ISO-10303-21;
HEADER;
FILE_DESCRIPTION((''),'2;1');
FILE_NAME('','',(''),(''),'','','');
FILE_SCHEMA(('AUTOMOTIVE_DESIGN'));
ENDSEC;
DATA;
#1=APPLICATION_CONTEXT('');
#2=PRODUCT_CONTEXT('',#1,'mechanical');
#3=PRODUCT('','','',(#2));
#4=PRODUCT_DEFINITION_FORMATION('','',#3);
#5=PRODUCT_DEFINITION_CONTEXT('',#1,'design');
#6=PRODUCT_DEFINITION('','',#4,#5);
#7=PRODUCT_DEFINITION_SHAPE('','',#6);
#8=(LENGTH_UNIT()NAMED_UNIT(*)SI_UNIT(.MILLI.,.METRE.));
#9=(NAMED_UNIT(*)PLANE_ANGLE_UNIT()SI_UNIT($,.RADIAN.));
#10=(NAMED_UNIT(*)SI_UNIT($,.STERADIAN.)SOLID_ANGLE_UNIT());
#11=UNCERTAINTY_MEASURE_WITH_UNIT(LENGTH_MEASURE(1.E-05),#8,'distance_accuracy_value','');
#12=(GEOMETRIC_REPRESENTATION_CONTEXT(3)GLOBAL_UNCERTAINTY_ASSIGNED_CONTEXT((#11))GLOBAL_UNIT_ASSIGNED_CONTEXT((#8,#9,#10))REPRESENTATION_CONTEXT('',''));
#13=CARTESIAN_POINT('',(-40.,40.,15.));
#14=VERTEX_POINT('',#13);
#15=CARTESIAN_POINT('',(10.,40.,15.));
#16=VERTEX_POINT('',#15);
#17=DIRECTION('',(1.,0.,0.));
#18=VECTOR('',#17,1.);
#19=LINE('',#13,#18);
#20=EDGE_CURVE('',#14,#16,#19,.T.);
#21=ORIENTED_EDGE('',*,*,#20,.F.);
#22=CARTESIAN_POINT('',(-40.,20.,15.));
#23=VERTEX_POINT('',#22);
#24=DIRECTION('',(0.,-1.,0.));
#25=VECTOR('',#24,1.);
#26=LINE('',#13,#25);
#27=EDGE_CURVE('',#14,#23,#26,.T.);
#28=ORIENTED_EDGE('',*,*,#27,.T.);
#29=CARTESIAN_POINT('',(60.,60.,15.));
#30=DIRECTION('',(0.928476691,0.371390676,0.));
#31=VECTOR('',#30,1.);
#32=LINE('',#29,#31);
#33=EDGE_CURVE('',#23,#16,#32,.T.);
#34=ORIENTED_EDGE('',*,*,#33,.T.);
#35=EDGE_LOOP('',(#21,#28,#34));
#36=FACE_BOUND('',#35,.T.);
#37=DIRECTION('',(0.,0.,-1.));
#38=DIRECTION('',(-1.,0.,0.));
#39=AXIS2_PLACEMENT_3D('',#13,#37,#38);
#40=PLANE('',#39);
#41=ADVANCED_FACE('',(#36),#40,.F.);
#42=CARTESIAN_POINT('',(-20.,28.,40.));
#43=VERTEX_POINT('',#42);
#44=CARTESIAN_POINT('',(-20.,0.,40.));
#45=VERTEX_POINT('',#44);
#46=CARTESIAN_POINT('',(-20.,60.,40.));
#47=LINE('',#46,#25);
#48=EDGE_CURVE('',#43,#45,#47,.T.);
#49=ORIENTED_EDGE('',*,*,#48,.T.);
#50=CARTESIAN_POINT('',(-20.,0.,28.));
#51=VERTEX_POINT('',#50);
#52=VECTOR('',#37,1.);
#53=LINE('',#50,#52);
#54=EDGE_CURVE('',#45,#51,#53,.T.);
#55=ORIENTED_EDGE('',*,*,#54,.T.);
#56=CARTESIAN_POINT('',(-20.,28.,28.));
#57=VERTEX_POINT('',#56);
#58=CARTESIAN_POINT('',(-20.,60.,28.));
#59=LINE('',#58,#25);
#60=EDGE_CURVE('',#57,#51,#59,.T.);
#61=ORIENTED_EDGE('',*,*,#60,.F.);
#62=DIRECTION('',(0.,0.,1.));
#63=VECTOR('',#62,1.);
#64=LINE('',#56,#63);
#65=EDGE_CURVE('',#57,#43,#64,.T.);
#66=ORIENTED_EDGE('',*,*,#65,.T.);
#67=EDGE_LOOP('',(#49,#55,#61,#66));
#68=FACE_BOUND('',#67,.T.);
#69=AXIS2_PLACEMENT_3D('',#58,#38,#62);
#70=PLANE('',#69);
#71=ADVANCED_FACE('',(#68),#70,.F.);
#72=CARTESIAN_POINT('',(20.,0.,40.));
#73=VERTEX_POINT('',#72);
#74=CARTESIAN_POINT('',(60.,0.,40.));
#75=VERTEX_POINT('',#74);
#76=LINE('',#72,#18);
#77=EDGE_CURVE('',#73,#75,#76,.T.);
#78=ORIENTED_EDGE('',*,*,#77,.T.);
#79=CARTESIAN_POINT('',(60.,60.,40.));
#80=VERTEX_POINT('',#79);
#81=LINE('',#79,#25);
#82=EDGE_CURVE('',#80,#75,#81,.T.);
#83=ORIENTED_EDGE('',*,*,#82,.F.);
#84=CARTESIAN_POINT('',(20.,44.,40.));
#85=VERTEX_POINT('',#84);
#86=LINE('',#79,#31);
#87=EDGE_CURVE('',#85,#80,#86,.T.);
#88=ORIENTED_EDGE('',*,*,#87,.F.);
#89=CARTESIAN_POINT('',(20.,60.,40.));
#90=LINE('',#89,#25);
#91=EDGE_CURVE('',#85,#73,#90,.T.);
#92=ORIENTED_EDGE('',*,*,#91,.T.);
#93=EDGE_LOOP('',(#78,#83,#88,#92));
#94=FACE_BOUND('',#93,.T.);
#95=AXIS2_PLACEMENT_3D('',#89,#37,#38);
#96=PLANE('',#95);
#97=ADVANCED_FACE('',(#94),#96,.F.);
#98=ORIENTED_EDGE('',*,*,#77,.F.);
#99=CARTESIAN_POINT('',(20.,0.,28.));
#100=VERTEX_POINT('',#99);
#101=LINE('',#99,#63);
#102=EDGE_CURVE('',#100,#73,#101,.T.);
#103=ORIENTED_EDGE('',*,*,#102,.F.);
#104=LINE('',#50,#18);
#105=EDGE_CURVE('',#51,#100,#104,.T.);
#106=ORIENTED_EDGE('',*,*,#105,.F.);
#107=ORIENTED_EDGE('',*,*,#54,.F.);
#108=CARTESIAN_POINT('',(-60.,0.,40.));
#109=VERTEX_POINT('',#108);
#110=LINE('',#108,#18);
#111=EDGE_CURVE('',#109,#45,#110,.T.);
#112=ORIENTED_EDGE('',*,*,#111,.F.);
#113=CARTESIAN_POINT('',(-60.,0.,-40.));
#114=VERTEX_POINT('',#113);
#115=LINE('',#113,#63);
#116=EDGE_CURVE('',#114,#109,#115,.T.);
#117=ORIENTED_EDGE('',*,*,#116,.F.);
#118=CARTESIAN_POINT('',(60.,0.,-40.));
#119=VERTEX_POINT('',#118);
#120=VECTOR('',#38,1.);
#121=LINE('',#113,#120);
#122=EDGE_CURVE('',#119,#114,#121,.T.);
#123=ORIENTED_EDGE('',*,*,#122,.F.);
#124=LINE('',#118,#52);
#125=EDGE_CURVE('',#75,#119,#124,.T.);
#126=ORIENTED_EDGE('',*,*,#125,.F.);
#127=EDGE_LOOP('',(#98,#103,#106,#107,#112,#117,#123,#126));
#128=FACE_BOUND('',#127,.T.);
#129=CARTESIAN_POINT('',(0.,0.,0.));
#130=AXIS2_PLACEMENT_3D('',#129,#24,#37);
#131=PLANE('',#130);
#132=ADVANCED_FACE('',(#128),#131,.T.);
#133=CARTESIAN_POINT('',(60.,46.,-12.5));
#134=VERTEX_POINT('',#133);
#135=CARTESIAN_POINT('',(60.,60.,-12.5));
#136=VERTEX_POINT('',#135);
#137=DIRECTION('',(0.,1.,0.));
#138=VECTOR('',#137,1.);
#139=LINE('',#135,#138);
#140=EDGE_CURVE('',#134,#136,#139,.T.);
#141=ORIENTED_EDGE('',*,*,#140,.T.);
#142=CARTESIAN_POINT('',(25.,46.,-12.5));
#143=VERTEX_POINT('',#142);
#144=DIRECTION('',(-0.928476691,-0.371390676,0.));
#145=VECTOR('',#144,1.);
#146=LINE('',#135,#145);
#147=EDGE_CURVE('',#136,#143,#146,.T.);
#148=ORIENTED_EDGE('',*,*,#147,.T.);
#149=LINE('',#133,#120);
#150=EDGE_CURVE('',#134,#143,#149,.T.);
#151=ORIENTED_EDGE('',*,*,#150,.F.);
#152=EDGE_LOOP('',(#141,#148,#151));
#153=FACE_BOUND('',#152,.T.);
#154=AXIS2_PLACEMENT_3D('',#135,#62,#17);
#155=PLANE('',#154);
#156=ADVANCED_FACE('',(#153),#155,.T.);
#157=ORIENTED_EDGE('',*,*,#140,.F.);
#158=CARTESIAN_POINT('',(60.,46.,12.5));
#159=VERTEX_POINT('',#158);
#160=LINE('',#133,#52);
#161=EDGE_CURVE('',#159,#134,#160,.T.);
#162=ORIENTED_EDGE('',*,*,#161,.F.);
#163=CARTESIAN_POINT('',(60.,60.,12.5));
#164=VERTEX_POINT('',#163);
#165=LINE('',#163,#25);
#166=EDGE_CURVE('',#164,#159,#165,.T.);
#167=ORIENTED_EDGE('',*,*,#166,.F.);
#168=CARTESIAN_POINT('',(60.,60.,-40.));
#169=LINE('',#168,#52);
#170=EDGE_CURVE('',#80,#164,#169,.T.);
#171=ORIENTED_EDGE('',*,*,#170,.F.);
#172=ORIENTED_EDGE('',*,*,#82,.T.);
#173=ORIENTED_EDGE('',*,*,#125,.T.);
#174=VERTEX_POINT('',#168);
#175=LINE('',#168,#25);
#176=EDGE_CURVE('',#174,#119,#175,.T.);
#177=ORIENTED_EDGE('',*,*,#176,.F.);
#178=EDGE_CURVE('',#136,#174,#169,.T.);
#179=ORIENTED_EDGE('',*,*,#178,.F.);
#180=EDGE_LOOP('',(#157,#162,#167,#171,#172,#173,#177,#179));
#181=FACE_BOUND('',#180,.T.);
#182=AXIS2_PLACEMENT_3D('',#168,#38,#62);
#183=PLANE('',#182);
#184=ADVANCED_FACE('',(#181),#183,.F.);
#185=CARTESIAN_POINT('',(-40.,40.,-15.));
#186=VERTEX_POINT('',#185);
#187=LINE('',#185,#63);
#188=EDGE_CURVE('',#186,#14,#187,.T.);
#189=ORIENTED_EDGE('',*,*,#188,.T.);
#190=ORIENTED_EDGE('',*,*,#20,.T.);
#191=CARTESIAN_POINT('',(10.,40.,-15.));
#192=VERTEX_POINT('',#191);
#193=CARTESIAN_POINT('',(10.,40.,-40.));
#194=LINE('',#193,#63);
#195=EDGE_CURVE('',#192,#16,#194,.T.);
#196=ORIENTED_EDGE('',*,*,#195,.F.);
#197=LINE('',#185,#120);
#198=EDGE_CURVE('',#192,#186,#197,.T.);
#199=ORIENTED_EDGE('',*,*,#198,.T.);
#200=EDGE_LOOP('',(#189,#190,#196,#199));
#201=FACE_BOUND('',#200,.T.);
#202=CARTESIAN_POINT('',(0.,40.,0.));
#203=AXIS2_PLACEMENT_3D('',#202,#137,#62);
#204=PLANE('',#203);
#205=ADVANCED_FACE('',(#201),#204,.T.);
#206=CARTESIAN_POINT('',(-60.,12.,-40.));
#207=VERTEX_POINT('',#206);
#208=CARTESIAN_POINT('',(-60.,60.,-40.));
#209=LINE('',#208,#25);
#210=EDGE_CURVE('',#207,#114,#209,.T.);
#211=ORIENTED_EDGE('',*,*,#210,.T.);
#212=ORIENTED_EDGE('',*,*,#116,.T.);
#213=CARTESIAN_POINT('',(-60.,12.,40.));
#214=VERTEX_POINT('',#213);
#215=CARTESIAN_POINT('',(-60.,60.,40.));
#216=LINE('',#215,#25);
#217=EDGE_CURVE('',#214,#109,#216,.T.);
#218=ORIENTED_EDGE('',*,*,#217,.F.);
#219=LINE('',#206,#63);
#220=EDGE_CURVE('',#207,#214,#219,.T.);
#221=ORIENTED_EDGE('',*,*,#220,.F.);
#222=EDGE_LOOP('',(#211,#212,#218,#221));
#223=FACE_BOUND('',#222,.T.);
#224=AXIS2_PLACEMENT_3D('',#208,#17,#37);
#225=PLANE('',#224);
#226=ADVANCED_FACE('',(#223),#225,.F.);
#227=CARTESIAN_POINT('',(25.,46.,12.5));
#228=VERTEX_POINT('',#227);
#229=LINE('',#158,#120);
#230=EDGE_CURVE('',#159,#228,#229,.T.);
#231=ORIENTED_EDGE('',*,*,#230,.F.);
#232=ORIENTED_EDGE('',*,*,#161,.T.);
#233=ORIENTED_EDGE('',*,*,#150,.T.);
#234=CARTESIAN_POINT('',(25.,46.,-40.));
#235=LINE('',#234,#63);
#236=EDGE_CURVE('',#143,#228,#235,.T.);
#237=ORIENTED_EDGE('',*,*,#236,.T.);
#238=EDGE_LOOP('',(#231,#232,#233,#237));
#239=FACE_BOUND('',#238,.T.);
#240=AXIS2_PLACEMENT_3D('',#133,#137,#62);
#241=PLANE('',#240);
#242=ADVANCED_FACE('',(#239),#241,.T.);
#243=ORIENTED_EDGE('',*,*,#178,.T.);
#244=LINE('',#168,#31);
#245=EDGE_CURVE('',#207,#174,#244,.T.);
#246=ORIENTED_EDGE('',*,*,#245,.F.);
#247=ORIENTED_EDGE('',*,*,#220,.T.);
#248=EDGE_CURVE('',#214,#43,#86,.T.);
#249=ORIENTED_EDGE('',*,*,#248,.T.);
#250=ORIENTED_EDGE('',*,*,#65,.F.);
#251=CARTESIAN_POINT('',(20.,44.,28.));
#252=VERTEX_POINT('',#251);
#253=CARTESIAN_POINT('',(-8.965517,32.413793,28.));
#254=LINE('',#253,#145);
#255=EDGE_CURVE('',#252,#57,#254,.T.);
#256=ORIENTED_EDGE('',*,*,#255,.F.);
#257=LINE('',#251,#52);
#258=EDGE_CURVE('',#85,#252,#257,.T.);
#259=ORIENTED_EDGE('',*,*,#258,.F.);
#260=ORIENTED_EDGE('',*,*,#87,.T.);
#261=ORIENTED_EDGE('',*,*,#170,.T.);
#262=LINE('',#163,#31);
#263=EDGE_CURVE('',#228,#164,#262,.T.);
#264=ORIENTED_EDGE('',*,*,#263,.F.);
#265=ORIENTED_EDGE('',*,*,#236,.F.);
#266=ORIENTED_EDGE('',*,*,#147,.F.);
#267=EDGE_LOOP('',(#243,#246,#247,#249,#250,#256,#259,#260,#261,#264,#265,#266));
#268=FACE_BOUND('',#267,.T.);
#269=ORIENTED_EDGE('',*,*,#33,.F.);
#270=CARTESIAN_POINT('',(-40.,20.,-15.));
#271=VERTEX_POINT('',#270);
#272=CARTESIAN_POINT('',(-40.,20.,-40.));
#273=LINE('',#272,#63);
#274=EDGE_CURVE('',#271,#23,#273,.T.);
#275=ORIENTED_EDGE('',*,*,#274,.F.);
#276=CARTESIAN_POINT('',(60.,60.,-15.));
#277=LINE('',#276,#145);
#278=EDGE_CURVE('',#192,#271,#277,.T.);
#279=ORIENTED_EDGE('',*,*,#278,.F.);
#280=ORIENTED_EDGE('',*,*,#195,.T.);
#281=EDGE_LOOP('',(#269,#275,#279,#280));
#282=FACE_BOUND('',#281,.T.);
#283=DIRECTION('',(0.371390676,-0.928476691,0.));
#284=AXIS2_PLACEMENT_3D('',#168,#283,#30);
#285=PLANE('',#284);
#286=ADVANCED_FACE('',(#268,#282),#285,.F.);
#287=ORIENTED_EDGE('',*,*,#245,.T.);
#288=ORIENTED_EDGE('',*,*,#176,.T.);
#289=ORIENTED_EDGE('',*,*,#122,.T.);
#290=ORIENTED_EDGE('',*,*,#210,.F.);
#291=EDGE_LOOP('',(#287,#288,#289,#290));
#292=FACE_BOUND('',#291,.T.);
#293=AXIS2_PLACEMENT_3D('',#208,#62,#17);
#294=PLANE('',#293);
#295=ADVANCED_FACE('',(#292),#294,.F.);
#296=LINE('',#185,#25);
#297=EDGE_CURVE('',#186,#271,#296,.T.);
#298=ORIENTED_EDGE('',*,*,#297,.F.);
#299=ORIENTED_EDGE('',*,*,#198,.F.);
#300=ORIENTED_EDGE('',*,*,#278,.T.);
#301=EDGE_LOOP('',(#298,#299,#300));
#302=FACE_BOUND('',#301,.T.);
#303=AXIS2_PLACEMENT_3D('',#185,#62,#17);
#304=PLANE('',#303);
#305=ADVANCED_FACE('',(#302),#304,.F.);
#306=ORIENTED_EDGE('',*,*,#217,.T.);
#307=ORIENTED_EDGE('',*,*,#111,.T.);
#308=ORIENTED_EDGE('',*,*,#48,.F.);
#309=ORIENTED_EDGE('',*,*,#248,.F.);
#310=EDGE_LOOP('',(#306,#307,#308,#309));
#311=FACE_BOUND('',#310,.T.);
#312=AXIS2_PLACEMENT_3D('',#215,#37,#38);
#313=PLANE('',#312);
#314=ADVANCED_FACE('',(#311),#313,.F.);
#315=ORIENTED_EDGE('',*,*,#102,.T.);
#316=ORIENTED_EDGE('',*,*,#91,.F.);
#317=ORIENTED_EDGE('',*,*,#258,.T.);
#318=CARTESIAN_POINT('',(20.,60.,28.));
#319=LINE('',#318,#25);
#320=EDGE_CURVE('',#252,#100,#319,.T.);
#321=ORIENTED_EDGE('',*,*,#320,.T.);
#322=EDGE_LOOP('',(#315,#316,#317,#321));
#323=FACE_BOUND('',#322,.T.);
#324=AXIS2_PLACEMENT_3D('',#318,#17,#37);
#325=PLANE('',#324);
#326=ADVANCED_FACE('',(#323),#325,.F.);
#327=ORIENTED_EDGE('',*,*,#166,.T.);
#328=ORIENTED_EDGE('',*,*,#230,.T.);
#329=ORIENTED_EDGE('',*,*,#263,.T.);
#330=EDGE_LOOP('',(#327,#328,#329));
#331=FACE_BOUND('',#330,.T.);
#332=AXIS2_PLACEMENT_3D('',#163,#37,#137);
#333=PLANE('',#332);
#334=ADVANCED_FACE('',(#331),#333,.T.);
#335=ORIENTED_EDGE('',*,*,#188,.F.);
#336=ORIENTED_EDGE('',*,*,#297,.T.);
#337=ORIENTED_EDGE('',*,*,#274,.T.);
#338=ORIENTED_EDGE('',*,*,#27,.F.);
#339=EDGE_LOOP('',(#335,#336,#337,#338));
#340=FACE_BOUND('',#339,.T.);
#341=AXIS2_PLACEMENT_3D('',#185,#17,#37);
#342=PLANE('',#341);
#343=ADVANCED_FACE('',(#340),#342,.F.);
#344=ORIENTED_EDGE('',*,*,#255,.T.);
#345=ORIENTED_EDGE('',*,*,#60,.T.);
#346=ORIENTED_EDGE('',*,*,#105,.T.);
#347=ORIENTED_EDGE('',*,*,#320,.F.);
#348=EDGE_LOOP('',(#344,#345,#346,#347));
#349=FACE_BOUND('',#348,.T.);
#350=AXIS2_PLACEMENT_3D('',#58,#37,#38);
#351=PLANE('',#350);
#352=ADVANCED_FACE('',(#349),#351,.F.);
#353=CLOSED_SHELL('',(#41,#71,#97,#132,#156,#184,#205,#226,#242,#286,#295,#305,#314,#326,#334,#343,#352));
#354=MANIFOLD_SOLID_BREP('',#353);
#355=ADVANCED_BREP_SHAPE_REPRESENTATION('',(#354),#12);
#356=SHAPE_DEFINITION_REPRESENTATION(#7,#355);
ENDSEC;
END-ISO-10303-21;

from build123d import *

# Parameters (mm, degrees)
BOSS_EXTRUDE1_DEPTH = 60
CUT_EXTRUDE2_DEPTH  = 40
SKETCH8_W           = 100
SKETCH8_H           = 30
BOSS_EXTRUDE2_DEPTH = 40
SKETCH9_W           = 25
SKETCH9_H           = 14
CUT_EXTRUDE3_DEPTH  = 94.808315196


with BuildPart() as part:
    # Sketch1 → Boss-Extrude1 (new body)
    with BuildSketch(Plane(origin=(0, 0, 0), x_dir=(1, 0, 0), z_dir=(0, 1, 0))):
        Polygon((-20, -28), (-20, -40), (-60, -40), (-60, 40), (60, 40), (60, -40), (20, -40), (20, -28), align=None)
    extrude(amount=BOSS_EXTRUDE1_DEPTH)

    # Sketch7 → Cut-Extrude2 (cut, symmetric)
    with BuildSketch(Plane.XY):
        Polygon((60, 60), (-60, 12), (-60, 60), align=None)
    extrude(amount=CUT_EXTRUDE2_DEPTH, both=True, mode=Mode.SUBTRACT)

    # Sketch8 → Boss-Extrude2 (add)
    with BuildSketch(Plane(origin=(0, 0, 0), x_dir=(1, 0, 0), z_dir=(0, 1, 0))):
        with Locations((10, 0)):
            Rectangle(SKETCH8_W, SKETCH8_H)
    extrude(amount=BOSS_EXTRUDE2_DEPTH)

    # Sketch9 → Cut-Extrude3 (cut, through all)
    with BuildSketch(Plane(origin=(0, 0, 0), x_dir=(0, 0, -1), z_dir=(1, 0, 0))):
        with Locations((0, 53)):
            Rectangle(SKETCH9_W, SKETCH9_H)
    extrude(amount=CUT_EXTRUDE3_DEPTH, mode=Mode.SUBTRACT)


solid = part.part
